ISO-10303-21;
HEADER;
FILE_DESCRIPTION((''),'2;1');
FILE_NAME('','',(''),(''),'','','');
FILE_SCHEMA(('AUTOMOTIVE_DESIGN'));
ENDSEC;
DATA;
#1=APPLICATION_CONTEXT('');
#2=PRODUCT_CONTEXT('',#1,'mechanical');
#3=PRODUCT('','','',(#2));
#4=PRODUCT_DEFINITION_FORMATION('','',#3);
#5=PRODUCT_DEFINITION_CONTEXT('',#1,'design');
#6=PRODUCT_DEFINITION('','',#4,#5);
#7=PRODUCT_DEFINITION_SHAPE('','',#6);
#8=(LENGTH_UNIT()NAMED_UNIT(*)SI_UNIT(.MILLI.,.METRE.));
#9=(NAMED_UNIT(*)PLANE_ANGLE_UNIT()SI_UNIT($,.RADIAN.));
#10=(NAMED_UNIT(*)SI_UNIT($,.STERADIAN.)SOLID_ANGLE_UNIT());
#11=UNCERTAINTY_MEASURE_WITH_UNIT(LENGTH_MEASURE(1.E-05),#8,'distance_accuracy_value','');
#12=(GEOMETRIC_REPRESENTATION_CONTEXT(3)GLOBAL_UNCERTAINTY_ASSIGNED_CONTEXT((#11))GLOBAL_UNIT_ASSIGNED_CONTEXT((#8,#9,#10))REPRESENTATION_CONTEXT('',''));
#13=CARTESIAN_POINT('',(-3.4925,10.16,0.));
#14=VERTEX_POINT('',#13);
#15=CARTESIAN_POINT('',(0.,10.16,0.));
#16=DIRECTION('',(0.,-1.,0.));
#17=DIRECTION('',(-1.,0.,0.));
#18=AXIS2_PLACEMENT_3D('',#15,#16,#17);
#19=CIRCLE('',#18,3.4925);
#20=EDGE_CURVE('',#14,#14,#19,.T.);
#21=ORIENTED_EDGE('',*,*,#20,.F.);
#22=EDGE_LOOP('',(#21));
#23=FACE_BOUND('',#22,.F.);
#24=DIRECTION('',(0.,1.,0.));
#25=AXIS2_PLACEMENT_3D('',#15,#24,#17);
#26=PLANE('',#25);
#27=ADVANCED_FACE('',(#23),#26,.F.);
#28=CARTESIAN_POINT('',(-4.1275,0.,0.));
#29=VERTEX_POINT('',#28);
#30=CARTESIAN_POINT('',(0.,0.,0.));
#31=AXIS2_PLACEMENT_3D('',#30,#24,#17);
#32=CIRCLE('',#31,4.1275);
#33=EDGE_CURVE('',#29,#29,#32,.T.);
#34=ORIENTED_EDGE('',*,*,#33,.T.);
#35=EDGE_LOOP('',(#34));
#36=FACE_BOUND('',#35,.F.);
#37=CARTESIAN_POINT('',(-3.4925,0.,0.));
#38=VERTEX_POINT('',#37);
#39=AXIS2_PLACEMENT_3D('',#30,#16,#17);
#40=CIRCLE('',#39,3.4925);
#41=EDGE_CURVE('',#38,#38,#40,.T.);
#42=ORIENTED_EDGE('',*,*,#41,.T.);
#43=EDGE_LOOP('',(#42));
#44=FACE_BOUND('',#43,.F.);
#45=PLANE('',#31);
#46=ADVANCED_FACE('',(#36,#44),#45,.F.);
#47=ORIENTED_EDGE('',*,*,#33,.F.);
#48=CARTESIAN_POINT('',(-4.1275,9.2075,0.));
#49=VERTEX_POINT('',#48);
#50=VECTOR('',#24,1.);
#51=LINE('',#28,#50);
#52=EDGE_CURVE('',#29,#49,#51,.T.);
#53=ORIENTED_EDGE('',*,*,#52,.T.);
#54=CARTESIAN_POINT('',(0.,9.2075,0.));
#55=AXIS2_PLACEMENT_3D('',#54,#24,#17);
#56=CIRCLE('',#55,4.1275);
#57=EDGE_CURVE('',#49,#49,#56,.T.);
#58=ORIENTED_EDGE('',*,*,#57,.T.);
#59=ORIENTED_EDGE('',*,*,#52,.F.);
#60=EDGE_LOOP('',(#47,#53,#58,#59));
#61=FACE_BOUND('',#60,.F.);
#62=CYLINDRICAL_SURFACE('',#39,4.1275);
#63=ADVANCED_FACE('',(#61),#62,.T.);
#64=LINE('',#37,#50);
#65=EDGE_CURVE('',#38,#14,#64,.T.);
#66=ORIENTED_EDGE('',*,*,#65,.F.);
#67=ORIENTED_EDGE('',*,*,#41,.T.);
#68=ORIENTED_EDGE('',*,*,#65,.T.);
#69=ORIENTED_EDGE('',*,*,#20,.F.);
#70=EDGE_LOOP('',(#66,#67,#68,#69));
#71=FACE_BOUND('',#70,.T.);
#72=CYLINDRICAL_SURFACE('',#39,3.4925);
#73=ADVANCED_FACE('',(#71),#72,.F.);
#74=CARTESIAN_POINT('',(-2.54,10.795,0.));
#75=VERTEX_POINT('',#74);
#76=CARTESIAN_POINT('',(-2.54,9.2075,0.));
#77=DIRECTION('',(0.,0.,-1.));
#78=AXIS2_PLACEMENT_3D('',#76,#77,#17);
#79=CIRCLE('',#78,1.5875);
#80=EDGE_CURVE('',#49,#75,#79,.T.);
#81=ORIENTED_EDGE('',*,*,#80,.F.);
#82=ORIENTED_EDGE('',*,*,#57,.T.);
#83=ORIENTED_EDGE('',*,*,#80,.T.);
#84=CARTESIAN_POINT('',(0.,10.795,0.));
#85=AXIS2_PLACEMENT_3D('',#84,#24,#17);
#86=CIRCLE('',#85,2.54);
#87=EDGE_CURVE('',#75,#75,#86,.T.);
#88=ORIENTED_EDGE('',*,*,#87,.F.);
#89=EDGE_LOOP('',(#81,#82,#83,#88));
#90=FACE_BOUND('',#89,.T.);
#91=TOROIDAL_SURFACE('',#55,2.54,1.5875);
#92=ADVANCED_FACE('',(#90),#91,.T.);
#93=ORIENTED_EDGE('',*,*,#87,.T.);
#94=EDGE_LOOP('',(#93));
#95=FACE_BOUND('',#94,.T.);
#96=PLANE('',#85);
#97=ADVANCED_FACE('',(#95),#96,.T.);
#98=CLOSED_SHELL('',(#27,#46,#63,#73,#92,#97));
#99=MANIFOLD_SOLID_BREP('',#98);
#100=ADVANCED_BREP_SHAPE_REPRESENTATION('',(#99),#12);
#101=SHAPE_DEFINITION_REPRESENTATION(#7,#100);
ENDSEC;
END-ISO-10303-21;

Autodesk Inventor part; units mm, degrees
ref_plane "YZ Plane" through (0, 0, 0) normal (1, 0, 0) x (0, 1, 0)
ref_plane "XZ Plane" through (0, 0, 0) normal (0, 1, 0) x (-1, 0, 0)
ref_plane "XY Plane" through (0, 0, 0) normal (0, 0, 1) x (1, 0, 0)
sketch "Sketch1" plane through (0, 0, 0) normal (0, 1, 0) x (-1, 0, 0)
  circle A0 centre (0, 0) radius 4.1275
  dimension "d0" = 8.255
extrude "Extrusion1" add sketch "Sketch1" along normal blind 10.795
shell "Shell1" thickness 0.635 removed faces 1 at (0.4879, 0, 1.9449)
fillet "Fillet1" radius 1.5875 1 edges at (4.1275, 10.795, 0)
properties part number "buttom piston" material "PBT Plastic"
